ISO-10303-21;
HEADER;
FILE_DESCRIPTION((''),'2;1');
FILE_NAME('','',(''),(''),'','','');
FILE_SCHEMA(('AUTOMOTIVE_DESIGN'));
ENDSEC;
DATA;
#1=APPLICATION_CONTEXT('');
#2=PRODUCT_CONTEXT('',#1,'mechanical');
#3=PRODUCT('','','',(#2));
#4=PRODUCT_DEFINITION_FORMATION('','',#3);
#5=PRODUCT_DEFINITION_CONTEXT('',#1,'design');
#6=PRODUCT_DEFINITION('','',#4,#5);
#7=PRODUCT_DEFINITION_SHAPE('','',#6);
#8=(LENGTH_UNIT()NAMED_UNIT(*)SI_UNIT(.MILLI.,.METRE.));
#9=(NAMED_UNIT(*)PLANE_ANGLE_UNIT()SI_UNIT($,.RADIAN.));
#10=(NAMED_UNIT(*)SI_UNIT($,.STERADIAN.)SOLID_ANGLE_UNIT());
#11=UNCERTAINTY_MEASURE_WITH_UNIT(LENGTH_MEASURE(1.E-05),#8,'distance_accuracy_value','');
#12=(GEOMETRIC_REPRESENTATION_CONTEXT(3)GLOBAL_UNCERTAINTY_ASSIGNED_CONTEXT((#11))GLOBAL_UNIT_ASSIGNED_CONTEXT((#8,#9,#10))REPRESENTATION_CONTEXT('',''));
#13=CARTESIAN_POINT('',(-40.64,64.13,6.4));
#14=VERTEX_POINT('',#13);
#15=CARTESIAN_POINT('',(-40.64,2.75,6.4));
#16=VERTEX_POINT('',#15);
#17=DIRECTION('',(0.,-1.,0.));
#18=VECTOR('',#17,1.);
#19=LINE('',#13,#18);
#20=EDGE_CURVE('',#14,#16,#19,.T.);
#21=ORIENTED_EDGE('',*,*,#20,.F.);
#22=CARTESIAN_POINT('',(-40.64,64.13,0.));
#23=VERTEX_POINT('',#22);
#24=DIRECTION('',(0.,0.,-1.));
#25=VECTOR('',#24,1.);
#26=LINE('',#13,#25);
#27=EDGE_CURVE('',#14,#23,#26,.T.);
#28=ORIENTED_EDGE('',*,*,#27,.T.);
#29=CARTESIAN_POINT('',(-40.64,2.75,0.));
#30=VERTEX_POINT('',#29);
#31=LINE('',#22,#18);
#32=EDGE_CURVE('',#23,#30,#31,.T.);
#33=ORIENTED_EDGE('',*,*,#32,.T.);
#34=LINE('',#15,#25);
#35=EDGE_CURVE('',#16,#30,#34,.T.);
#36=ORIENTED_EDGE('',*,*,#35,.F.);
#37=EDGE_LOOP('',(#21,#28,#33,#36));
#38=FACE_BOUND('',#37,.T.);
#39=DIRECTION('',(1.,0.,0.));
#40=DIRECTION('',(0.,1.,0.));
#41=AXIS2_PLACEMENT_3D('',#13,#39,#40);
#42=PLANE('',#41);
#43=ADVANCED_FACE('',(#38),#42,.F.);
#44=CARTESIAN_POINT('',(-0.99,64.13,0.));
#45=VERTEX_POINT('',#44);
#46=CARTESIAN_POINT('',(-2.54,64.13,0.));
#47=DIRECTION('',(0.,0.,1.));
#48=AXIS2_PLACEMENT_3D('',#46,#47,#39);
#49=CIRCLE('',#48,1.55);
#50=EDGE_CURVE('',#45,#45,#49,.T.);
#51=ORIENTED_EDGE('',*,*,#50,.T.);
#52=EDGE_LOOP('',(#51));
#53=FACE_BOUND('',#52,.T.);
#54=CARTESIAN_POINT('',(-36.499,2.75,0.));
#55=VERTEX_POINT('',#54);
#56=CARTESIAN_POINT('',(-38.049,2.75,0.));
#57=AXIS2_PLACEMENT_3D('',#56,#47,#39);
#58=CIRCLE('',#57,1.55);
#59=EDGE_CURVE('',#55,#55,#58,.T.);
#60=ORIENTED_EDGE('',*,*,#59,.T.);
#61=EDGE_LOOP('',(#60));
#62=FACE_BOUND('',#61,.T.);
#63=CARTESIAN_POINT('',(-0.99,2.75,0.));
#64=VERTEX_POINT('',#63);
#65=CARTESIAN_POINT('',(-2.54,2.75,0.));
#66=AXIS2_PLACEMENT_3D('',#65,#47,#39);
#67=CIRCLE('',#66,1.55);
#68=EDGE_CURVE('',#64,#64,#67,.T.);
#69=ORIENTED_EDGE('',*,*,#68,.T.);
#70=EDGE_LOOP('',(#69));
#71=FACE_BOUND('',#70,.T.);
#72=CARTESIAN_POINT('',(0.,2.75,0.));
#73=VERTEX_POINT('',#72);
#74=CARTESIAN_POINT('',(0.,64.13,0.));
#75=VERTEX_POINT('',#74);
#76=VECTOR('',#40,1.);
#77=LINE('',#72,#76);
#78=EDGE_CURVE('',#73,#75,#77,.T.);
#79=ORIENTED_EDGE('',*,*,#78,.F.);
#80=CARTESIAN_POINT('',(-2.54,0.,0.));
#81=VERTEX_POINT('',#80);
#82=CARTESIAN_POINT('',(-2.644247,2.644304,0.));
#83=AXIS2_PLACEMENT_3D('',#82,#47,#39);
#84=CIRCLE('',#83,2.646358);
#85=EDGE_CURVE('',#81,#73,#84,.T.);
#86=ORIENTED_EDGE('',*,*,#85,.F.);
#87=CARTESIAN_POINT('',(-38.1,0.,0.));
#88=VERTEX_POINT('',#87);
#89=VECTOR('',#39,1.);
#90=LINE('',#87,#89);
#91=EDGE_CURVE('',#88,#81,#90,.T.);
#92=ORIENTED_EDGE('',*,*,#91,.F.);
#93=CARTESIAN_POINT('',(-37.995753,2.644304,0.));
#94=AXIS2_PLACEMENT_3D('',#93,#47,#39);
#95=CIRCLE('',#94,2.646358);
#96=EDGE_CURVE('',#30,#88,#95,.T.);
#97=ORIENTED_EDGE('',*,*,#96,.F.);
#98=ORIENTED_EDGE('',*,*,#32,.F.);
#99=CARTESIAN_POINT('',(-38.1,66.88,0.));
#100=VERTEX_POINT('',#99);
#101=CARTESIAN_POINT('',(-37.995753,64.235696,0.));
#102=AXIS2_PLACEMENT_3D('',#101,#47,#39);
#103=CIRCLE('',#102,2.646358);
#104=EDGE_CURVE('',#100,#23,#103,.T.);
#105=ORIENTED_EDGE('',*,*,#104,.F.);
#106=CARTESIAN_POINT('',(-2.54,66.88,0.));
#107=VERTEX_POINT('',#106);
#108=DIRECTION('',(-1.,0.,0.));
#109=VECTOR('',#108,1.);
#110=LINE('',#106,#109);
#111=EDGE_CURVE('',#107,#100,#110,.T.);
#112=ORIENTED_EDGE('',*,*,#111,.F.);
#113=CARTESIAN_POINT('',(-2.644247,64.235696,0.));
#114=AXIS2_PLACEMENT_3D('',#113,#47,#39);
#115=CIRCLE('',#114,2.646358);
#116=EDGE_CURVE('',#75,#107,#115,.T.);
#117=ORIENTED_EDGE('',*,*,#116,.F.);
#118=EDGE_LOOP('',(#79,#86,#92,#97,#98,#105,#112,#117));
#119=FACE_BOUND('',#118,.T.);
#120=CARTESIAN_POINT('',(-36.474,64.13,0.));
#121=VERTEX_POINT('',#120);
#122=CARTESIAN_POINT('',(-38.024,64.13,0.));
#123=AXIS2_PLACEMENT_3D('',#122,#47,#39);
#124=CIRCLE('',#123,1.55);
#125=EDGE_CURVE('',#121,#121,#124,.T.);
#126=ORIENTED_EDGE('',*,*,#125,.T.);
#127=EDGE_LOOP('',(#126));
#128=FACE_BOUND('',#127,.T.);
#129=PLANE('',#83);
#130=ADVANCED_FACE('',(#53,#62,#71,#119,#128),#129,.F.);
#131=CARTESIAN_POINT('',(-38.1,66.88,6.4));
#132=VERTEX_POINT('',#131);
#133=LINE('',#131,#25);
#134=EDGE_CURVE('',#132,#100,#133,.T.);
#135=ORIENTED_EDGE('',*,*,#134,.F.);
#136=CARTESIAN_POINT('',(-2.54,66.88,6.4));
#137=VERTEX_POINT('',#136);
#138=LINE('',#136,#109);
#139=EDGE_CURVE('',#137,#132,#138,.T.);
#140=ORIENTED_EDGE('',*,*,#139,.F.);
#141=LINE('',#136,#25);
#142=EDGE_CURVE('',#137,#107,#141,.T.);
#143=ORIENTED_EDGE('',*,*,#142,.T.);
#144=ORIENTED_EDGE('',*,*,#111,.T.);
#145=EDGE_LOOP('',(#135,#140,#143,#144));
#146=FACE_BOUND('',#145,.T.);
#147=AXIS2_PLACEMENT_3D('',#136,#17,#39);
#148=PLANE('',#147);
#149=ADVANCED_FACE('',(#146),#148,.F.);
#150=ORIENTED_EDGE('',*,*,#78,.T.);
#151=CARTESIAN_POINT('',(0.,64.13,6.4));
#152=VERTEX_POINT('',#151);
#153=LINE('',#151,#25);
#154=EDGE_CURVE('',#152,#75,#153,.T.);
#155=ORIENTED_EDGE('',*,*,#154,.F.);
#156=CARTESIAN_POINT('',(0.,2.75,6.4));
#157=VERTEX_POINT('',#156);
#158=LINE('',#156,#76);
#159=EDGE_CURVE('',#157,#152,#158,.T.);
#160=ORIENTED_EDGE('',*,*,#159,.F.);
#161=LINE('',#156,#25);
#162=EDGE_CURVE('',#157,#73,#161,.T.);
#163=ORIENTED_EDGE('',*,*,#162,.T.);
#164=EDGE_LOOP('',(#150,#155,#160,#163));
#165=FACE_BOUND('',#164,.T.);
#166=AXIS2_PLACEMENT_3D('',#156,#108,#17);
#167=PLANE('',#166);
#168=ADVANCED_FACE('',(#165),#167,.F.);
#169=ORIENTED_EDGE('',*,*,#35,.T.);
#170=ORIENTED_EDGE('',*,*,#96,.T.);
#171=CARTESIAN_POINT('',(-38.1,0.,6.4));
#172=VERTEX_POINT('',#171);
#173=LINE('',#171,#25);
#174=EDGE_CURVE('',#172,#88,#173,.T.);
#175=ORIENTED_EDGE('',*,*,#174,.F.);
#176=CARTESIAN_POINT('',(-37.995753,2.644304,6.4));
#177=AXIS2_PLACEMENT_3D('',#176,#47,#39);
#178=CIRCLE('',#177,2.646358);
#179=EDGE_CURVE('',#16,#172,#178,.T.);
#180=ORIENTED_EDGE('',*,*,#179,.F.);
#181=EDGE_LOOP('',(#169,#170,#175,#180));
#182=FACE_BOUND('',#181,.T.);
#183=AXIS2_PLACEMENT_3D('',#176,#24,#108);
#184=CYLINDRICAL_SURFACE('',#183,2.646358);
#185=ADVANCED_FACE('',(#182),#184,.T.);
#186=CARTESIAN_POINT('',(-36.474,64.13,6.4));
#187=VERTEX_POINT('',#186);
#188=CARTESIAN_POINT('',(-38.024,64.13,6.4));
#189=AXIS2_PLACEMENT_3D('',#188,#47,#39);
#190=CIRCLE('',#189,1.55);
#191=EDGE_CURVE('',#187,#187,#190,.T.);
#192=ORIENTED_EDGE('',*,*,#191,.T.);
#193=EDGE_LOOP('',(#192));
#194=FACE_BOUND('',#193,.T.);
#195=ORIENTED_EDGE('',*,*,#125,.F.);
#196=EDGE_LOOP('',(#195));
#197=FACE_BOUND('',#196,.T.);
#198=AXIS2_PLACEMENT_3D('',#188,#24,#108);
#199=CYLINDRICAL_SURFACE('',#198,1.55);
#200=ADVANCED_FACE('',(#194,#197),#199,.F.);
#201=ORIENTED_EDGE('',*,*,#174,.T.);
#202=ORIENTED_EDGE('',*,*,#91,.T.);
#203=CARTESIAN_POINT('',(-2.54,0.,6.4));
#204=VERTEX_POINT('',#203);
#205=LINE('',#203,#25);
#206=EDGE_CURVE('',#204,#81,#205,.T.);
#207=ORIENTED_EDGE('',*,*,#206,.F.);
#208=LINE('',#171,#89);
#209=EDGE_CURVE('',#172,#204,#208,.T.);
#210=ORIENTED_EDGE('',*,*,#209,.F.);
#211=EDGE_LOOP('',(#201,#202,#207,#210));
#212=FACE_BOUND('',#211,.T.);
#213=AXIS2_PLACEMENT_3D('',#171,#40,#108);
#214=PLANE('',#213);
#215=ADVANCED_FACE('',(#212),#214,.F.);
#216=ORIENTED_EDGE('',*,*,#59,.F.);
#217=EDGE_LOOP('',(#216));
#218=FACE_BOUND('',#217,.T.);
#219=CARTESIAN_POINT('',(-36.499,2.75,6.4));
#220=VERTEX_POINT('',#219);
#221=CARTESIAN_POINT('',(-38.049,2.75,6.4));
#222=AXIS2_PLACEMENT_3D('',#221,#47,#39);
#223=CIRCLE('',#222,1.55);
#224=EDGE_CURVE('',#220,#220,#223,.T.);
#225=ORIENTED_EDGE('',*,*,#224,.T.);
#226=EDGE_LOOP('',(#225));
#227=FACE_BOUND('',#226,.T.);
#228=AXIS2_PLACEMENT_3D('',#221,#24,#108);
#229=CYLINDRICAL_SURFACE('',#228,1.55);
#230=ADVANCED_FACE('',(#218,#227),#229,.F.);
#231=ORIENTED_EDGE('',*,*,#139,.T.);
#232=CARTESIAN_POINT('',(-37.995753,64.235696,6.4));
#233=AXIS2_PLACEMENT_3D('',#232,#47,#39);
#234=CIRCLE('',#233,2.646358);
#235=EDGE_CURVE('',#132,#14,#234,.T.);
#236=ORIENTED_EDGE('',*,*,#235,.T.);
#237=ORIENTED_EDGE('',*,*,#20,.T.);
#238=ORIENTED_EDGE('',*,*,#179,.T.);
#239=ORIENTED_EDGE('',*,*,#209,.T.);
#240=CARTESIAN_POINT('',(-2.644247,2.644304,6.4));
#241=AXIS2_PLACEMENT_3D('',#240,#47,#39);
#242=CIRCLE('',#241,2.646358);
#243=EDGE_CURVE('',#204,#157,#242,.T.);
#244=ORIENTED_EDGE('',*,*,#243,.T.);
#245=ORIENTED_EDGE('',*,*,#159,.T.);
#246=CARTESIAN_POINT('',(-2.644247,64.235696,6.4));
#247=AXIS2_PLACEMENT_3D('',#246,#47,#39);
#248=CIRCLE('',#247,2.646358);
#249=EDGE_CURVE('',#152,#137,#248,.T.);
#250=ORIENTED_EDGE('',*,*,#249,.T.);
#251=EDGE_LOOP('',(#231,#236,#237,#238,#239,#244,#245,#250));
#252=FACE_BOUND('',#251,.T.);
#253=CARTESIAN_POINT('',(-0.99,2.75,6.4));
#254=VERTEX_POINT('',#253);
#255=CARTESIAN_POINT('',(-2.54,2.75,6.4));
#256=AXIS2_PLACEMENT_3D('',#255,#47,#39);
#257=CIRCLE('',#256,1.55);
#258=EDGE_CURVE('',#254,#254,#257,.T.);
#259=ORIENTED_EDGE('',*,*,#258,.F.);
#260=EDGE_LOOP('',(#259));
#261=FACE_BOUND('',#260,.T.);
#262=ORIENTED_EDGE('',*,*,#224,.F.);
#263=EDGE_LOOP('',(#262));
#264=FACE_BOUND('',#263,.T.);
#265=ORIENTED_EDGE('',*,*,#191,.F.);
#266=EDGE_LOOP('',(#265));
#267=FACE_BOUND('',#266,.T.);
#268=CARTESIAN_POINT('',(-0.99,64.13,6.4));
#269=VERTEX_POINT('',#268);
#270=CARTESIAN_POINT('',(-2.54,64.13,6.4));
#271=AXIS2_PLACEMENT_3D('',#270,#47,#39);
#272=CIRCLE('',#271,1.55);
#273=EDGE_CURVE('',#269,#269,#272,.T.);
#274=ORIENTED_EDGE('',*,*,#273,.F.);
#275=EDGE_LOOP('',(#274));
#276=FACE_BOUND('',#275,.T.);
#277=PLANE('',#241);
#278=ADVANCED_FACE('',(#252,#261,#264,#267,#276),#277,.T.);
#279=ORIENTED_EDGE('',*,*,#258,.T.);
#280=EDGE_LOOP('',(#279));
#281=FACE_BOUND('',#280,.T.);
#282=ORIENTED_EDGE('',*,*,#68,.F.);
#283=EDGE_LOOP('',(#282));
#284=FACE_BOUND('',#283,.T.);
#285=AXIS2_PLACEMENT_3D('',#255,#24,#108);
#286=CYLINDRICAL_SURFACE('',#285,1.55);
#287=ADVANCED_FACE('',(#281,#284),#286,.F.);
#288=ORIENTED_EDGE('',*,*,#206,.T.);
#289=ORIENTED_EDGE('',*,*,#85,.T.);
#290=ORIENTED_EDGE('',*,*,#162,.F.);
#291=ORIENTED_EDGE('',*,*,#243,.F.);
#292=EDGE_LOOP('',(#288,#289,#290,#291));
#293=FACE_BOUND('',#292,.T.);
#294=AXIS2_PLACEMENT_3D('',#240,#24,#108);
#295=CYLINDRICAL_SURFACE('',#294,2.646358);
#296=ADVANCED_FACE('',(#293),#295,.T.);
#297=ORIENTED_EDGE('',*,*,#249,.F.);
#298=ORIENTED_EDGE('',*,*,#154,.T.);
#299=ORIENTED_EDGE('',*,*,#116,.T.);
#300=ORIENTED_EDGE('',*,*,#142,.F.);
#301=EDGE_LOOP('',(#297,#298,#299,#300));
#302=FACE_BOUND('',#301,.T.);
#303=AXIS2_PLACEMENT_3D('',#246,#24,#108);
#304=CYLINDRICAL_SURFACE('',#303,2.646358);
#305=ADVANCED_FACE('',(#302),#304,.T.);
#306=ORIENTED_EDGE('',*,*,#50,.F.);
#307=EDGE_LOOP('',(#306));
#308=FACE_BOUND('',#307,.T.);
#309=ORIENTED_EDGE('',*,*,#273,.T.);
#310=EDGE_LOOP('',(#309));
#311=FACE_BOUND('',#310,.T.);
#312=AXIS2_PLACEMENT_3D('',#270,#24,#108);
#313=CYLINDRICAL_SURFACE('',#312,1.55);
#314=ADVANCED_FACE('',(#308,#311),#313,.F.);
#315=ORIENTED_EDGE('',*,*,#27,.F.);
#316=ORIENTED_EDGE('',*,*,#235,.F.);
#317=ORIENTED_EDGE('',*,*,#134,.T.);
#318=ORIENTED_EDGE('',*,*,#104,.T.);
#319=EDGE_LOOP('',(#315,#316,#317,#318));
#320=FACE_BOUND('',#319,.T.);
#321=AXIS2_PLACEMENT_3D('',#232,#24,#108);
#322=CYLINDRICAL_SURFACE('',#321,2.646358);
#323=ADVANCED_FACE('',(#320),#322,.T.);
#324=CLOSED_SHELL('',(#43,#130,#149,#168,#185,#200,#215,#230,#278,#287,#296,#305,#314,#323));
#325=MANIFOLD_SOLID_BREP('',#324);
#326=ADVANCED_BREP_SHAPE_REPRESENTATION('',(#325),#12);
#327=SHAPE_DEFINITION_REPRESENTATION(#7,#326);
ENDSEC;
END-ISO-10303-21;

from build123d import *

# Parameters (mm, degrees)
SKETCH_1_R      = 1.55
EXTRUDE_1_DEPTH = 6.4


with BuildPart() as part:
    # 草图1 → 凸台-拉伸1 (new body)
    with BuildSketch(Plane.XY):
        with BuildLine():
            Line((0, 2.75), (0, 64.13))
            ThreePointArc((0, 64.13), (-0.700235603, 66.031255116), (-2.54, 66.88))
            Line((-2.54, 66.88), (-38.1, 66.88))
            ThreePointArc((-38.1, 66.88), (-39.939764397, 66.031255116), (-40.64, 64.13))
            Line((-40.64, 64.13), (-40.64, 2.75))
            ThreePointArc((-40.64, 2.75), (-39.939764397, 0.848744884), (-38.1, 0))
            Line((-38.1, 0), (-2.54, 0))
            ThreePointArc((-2.54, 0), (-0.700235603, 0.848744884), (0, 2.75))
        make_face()
        with Locations((-2.54, 2.75)):
            Circle(SKETCH_1_R, mode=Mode.SUBTRACT)
        with Locations((-2.54, 64.13)):
            Circle(SKETCH_1_R, mode=Mode.SUBTRACT)
        with Locations((-38.049, 2.75)):
            Circle(SKETCH_1_R, mode=Mode.SUBTRACT)
        with Locations((-38.024, 64.13)):
            Circle(SKETCH_1_R, mode=Mode.SUBTRACT)
    extrude(amount=EXTRUDE_1_DEPTH)


solid = part.part
